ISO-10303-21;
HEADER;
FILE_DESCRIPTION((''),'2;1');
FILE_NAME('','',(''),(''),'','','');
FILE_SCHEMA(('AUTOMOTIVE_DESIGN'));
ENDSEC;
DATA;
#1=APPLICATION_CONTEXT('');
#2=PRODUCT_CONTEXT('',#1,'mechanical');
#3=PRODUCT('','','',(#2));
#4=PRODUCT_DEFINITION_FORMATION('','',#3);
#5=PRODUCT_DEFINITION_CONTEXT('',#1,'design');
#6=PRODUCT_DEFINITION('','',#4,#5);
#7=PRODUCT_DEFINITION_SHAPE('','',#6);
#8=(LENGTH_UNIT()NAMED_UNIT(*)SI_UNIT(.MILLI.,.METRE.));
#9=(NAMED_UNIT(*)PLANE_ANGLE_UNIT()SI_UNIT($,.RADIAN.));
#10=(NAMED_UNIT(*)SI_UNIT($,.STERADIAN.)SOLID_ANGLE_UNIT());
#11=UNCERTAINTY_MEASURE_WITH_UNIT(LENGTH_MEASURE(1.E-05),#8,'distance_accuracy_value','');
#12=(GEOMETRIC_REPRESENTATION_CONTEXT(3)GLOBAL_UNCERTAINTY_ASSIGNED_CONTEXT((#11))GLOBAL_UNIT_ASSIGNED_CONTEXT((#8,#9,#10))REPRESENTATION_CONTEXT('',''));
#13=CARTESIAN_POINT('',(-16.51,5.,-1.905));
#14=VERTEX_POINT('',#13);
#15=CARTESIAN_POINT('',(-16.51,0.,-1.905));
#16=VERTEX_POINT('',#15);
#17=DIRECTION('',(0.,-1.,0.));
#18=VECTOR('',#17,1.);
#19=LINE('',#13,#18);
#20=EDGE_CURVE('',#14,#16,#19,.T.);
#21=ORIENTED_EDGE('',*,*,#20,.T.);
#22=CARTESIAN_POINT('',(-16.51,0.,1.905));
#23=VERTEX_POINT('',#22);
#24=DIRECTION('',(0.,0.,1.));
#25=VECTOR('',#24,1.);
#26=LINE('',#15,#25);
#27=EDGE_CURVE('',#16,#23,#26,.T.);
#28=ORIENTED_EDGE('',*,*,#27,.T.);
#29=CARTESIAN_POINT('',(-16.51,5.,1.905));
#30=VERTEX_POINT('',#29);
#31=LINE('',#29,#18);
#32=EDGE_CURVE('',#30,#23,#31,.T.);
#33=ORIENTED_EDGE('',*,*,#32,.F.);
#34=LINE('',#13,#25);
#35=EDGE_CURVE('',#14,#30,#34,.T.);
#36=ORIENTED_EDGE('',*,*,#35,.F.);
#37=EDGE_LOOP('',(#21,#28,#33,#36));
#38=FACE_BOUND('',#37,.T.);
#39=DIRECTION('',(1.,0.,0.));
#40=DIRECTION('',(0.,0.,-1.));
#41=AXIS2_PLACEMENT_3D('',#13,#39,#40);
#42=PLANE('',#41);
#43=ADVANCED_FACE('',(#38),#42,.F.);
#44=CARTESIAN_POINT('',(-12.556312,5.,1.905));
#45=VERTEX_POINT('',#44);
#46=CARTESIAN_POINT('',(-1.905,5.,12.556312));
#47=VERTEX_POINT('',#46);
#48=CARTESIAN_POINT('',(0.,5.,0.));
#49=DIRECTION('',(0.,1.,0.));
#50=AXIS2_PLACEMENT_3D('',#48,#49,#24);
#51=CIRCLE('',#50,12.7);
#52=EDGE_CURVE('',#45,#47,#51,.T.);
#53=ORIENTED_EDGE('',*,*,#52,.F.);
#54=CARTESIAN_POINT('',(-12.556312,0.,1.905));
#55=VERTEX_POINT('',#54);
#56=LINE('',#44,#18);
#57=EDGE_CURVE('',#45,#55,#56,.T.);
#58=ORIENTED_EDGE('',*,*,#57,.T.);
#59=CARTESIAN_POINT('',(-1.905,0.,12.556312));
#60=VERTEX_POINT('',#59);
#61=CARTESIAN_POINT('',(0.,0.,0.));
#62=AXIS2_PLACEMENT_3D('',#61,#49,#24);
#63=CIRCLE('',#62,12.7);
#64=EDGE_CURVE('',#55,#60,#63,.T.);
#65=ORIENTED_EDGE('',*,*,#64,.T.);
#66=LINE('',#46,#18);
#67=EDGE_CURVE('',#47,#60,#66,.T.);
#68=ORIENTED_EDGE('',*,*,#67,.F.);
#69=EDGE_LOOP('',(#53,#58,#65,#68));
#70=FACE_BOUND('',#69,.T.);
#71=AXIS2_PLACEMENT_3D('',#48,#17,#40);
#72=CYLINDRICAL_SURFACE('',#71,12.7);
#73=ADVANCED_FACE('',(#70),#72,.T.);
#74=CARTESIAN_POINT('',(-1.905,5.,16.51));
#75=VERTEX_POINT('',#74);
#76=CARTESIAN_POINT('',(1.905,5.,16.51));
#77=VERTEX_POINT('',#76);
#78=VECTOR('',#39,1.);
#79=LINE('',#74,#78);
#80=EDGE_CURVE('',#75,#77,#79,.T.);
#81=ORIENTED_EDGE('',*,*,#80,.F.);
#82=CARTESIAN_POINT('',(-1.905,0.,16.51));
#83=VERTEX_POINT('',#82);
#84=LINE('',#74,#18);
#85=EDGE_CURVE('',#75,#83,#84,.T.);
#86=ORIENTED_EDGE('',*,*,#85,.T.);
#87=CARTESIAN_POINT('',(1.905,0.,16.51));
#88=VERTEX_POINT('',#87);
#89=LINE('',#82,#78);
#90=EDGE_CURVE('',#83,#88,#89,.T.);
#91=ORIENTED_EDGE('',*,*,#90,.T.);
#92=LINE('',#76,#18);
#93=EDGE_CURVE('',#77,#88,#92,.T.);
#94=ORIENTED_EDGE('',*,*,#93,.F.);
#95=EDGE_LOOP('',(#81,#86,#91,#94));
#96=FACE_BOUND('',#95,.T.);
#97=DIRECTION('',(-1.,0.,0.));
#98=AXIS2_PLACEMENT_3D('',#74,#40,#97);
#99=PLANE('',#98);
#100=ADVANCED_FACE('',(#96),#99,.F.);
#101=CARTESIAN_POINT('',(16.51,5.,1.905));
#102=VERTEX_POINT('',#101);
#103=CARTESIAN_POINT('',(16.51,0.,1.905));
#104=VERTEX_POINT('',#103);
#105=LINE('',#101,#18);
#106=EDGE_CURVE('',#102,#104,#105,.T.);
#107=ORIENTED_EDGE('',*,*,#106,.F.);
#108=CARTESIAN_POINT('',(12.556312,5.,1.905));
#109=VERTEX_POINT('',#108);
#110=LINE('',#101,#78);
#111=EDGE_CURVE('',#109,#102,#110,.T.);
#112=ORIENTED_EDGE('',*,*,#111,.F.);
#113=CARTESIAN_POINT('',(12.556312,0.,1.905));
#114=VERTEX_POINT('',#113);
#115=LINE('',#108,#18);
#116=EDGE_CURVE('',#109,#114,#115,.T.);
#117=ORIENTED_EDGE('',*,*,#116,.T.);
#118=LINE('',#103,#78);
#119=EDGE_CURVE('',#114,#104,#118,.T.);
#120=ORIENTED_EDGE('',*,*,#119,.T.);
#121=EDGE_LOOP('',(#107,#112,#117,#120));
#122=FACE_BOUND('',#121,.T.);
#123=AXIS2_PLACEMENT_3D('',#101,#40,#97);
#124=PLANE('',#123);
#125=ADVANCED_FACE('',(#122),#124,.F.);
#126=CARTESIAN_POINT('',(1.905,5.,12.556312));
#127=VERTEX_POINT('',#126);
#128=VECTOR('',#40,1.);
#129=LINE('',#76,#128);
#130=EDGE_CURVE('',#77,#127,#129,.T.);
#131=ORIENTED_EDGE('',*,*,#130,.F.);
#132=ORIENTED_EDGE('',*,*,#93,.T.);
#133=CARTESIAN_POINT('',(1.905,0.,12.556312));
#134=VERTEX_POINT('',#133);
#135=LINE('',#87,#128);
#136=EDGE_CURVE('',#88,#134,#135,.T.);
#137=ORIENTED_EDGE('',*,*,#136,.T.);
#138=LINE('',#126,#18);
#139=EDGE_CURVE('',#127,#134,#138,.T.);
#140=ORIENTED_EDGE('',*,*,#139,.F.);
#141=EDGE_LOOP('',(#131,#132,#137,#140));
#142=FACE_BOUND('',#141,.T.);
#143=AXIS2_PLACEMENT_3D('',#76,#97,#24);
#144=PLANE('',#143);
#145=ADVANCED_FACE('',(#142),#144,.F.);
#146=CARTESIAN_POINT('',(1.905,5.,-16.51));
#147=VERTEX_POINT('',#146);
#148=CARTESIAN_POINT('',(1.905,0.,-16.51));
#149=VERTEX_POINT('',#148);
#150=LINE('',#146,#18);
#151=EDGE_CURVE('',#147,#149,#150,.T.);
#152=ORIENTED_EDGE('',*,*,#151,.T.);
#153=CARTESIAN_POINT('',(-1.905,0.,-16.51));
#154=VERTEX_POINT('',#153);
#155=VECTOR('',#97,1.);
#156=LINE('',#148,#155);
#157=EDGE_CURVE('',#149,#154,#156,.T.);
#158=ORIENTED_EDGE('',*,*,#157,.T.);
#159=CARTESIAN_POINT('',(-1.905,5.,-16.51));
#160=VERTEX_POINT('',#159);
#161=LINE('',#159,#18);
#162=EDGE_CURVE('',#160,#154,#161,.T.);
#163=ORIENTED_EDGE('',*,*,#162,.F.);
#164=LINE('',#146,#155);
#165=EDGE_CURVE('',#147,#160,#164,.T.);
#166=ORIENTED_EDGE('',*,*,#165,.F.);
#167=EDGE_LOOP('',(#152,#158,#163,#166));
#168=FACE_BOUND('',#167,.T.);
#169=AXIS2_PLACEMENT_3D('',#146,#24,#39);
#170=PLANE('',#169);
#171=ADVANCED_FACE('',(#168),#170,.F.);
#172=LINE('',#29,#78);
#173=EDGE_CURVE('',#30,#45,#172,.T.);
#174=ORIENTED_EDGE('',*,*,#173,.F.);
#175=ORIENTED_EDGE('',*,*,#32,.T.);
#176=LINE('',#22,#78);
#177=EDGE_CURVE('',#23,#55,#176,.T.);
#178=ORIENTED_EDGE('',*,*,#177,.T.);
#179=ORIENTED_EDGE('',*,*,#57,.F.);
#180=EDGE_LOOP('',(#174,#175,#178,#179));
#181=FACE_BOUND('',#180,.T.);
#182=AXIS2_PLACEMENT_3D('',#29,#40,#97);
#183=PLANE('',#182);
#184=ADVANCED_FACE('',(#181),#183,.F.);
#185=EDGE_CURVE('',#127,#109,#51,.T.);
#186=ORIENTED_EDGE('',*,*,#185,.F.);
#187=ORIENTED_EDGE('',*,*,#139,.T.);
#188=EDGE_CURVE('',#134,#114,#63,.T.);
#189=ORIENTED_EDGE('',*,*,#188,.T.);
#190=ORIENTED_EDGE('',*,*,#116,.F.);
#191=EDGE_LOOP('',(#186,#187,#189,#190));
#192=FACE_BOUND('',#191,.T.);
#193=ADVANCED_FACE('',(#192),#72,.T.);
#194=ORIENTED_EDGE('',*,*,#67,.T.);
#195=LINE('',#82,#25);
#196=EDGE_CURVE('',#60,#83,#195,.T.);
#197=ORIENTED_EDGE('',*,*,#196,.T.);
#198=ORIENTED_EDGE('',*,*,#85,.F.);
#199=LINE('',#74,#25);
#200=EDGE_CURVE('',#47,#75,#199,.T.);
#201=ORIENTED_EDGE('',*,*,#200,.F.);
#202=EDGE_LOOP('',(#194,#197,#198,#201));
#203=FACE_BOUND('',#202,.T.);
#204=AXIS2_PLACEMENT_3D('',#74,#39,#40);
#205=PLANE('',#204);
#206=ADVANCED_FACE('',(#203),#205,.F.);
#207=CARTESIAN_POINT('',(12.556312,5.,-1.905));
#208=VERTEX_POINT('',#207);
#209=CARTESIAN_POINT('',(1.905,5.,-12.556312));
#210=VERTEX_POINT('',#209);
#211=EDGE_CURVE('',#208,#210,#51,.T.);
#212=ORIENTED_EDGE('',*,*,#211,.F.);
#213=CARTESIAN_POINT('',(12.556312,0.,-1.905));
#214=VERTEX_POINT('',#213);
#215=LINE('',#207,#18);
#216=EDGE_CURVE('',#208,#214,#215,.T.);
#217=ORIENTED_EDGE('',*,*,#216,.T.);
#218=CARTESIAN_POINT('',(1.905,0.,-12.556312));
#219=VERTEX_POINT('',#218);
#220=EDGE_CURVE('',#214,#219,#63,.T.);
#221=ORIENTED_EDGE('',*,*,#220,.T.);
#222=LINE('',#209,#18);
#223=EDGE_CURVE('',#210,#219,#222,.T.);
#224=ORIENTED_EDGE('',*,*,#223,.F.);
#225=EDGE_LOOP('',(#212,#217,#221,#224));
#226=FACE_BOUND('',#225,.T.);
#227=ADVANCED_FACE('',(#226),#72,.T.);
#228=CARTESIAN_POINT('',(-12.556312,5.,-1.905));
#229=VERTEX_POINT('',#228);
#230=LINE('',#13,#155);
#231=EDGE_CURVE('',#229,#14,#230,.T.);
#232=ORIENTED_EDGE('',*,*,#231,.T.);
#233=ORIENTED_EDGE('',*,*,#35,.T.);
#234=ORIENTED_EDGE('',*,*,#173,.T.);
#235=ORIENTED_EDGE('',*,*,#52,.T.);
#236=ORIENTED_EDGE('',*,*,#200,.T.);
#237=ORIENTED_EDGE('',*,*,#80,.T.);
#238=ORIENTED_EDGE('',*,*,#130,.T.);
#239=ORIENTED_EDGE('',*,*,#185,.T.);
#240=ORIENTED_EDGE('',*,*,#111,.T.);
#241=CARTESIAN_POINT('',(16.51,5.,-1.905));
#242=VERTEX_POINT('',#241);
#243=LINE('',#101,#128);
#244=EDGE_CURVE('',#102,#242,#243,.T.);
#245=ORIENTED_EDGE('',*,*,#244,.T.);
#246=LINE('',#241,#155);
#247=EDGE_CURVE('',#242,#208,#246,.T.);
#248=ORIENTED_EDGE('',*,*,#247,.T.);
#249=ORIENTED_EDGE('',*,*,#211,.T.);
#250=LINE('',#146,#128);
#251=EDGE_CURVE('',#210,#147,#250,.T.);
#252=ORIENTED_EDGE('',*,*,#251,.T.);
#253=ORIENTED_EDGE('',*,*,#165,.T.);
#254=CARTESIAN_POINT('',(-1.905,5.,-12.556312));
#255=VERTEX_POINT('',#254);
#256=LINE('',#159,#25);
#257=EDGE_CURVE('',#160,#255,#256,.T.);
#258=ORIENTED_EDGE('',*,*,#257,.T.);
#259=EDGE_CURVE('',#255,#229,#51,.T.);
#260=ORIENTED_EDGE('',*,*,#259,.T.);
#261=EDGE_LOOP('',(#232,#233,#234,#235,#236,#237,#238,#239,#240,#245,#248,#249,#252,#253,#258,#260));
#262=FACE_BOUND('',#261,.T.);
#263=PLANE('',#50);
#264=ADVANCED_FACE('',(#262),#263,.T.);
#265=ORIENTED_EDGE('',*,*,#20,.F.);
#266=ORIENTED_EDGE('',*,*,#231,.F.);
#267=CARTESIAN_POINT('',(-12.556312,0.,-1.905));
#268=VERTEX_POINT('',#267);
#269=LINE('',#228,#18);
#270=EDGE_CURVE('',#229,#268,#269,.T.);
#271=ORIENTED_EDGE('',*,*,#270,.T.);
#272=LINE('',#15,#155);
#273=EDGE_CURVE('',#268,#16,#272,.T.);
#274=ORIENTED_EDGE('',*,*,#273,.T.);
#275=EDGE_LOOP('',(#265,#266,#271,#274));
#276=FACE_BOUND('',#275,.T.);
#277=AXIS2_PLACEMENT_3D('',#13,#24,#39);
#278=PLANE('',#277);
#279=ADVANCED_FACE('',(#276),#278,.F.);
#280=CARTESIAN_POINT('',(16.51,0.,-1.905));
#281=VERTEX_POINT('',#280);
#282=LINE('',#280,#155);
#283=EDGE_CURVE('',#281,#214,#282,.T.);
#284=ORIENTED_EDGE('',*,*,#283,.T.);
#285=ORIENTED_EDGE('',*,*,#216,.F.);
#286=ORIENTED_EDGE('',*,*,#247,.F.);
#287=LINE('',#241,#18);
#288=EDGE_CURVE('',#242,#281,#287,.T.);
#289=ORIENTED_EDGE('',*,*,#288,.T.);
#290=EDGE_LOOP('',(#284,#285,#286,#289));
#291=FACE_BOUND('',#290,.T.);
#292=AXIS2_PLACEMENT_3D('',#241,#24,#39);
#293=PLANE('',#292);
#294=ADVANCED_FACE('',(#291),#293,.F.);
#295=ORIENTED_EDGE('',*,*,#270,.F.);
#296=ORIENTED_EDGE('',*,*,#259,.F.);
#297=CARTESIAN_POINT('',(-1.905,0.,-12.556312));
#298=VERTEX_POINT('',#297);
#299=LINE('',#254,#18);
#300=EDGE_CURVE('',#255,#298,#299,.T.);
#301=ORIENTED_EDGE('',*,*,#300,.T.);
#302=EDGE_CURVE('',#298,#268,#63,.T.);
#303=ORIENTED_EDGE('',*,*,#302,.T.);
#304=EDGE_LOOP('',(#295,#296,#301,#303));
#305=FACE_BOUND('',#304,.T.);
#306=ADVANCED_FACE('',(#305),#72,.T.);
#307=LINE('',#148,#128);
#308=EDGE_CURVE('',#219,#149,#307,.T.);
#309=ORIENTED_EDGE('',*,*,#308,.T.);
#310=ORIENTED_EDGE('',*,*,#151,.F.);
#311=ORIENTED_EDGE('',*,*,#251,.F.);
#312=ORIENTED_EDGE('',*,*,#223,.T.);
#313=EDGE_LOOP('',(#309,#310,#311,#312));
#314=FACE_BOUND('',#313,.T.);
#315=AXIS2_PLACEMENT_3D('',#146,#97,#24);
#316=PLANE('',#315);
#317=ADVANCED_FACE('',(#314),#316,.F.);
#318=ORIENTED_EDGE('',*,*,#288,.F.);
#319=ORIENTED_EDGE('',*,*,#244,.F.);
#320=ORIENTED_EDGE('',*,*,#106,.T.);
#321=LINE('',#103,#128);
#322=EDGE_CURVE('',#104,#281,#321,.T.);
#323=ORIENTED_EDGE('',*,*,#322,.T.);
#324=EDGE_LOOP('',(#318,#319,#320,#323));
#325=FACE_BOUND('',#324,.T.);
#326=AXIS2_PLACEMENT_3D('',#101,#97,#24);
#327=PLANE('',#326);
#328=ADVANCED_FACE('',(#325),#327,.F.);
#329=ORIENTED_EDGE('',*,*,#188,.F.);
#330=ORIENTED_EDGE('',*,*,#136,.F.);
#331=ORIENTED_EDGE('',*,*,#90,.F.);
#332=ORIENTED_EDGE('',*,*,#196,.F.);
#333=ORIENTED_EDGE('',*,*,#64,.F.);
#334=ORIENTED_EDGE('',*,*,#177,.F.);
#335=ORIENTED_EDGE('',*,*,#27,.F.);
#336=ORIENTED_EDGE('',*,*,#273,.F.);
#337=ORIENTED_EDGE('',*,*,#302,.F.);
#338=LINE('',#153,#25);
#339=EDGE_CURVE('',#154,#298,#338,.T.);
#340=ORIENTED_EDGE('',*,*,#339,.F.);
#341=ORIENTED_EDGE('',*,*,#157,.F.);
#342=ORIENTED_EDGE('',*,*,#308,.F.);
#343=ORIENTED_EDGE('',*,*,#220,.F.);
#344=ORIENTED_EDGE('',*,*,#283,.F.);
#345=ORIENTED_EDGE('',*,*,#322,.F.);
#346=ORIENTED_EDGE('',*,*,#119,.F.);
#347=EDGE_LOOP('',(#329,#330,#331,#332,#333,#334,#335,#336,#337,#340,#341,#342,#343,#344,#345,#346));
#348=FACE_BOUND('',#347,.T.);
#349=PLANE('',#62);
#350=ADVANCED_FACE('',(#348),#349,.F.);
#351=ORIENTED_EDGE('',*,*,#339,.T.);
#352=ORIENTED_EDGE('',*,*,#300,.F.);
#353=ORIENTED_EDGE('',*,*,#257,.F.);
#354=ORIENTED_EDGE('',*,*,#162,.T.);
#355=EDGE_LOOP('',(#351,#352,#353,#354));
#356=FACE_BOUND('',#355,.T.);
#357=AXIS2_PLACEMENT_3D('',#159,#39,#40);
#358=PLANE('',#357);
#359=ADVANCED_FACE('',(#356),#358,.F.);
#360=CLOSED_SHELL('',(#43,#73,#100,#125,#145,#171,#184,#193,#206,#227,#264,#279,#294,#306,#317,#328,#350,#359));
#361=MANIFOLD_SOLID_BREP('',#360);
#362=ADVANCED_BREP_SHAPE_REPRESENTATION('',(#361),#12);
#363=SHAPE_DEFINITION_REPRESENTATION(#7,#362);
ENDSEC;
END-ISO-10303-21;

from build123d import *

# Parameters (mm, degrees)
BOSS_EXTRUDE1_DEPTH = 5


with BuildPart() as part:
    # Sketch1 → Boss-Extrude1 (new body)
    with BuildSketch(Plane(origin=(0, 0, 0), x_dir=(1, 0, 0), z_dir=(0, 1, 0))):
        with BuildLine():
            Line((16.51, -1.905), (16.51, 1.905))
            Line((16.51, 1.905), (12.556312158, 1.905))
            ThreePointArc((12.556312158, 1.905), (8.980256121, 8.980256121), (1.905, 12.556312158))
            Line((1.905, 12.556312158), (1.905, 16.51))
            Line((1.905, 16.51), (-1.905, 16.51))
            Line((-1.905, 16.51), (-1.905, 12.556312158))
            ThreePointArc((-1.905, 12.556312158), (-8.980256121, 8.980256121), (-12.556312158, 1.905))
            Line((-12.556312158, 1.905), (-16.51, 1.905))
            Line((-16.51, 1.905), (-16.51, -1.905))
            Line((-16.51, -1.905), (-12.556312158, -1.905))
            ThreePointArc((-12.556312158, -1.905), (-8.980256121, -8.980256121), (-1.905, -12.556312158))
            Line((-1.905, -12.556312158), (-1.905, -16.51))
            Line((-1.905, -16.51), (1.905, -16.51))
            Line((1.905, -16.51), (1.905, -12.556312158))
            ThreePointArc((1.905, -12.556312158), (8.980256121, -8.980256121), (12.556312158, -1.905))
            Line((12.556312158, -1.905), (16.51, -1.905))
        make_face()
    extrude(amount=BOSS_EXTRUDE1_DEPTH)


solid = part.part
